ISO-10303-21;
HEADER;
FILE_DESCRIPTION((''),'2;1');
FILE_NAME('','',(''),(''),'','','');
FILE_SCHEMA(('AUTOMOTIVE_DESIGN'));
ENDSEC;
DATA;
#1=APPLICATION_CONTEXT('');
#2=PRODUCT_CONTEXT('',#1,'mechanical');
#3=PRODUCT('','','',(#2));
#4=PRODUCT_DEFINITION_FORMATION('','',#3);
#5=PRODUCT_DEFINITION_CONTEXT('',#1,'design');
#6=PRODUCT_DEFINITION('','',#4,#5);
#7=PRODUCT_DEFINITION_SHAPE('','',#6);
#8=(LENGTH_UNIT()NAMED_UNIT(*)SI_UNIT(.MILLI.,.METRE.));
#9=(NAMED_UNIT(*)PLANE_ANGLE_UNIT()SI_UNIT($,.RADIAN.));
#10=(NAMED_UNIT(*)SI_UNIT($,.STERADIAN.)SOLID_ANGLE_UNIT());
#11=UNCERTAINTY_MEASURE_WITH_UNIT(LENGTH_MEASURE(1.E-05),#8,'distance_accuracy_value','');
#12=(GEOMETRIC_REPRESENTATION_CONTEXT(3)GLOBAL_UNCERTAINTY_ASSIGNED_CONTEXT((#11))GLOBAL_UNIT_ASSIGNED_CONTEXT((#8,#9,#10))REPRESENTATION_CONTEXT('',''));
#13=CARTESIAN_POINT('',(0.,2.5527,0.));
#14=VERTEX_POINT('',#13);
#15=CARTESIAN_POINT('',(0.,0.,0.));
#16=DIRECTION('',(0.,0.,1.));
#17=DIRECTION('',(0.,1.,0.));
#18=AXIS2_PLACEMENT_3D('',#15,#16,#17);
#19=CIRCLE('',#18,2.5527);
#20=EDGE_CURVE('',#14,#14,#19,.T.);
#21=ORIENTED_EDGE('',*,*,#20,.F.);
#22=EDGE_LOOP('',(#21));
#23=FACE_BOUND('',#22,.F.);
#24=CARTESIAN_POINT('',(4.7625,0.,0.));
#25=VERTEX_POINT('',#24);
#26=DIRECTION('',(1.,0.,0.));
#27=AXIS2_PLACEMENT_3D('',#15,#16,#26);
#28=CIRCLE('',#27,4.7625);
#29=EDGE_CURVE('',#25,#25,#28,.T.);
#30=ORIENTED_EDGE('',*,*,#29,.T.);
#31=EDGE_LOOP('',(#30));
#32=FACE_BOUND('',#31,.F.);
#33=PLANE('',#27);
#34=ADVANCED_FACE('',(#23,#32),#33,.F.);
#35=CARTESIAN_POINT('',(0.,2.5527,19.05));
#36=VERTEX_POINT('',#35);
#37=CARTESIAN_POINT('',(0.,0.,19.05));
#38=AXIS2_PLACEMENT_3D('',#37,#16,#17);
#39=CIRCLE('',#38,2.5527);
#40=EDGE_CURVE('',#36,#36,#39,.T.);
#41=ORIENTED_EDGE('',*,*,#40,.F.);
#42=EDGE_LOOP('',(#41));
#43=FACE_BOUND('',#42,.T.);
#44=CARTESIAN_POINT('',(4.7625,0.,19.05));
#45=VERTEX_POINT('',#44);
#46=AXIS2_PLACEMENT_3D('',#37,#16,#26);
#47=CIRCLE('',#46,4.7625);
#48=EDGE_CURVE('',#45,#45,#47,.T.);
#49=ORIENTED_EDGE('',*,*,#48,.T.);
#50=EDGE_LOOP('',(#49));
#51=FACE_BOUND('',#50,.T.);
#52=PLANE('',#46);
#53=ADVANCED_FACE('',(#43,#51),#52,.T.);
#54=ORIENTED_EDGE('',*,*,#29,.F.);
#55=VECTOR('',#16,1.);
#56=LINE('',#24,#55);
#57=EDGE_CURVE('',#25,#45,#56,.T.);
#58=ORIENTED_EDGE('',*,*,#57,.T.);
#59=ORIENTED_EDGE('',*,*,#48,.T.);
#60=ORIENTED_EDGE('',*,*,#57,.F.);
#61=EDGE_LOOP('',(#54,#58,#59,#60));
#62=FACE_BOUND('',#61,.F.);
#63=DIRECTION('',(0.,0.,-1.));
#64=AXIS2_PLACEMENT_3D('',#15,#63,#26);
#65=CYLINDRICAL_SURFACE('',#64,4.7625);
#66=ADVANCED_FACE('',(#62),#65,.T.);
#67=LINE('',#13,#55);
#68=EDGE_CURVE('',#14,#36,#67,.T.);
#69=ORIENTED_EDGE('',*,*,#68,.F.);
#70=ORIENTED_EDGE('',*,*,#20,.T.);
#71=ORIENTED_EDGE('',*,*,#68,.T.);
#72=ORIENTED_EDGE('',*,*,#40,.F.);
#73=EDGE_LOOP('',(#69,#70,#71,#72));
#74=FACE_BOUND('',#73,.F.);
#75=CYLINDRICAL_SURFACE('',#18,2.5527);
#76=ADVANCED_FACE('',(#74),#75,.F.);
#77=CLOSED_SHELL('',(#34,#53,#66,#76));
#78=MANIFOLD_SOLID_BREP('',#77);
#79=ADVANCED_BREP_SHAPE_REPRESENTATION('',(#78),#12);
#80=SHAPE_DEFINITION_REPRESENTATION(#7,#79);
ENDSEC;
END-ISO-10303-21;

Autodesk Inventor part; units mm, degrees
ref_plane "YZ Plane" through (0, 0, 0) normal (1, 0, 0) x (0, 1, 0)
ref_plane "XZ Plane" through (0, 0, 0) normal (0, 1, 0) x (-1, 0, 0)
ref_plane "XY Plane" through (0, 0, 0) normal (0, 0, 1) x (1, 0, 0)
sketch "Sketch1" plane through (0, 0, 0) normal (0, 0, 1) x (1, 0, 0)
  circle A0 centre (0, 0) radius 4.7625
  dimension "d10" = 9.525
extrude "Extrusion1" add sketch "Sketch1" along normal blind 19.05
hole "Hole1" at (0, 0, 0) direction (0, 0, 1) diameter 5.1054 end through all clearance for "Flat Head Machine Screw (82)" size "#10" standard "Ansi Unified Screw Threads"
equation "\"d10\" = OutsideDiameter"
equation "\"d1\" = StandoffLength"
equation "\"StandoffLength\" = 19.05"
equation "\"HoleDiameter\" = 5.1054"
equation "\"OutsideDiameter\" = 9.525"
properties part number "EL2-012" material "Aluminum 6061"
